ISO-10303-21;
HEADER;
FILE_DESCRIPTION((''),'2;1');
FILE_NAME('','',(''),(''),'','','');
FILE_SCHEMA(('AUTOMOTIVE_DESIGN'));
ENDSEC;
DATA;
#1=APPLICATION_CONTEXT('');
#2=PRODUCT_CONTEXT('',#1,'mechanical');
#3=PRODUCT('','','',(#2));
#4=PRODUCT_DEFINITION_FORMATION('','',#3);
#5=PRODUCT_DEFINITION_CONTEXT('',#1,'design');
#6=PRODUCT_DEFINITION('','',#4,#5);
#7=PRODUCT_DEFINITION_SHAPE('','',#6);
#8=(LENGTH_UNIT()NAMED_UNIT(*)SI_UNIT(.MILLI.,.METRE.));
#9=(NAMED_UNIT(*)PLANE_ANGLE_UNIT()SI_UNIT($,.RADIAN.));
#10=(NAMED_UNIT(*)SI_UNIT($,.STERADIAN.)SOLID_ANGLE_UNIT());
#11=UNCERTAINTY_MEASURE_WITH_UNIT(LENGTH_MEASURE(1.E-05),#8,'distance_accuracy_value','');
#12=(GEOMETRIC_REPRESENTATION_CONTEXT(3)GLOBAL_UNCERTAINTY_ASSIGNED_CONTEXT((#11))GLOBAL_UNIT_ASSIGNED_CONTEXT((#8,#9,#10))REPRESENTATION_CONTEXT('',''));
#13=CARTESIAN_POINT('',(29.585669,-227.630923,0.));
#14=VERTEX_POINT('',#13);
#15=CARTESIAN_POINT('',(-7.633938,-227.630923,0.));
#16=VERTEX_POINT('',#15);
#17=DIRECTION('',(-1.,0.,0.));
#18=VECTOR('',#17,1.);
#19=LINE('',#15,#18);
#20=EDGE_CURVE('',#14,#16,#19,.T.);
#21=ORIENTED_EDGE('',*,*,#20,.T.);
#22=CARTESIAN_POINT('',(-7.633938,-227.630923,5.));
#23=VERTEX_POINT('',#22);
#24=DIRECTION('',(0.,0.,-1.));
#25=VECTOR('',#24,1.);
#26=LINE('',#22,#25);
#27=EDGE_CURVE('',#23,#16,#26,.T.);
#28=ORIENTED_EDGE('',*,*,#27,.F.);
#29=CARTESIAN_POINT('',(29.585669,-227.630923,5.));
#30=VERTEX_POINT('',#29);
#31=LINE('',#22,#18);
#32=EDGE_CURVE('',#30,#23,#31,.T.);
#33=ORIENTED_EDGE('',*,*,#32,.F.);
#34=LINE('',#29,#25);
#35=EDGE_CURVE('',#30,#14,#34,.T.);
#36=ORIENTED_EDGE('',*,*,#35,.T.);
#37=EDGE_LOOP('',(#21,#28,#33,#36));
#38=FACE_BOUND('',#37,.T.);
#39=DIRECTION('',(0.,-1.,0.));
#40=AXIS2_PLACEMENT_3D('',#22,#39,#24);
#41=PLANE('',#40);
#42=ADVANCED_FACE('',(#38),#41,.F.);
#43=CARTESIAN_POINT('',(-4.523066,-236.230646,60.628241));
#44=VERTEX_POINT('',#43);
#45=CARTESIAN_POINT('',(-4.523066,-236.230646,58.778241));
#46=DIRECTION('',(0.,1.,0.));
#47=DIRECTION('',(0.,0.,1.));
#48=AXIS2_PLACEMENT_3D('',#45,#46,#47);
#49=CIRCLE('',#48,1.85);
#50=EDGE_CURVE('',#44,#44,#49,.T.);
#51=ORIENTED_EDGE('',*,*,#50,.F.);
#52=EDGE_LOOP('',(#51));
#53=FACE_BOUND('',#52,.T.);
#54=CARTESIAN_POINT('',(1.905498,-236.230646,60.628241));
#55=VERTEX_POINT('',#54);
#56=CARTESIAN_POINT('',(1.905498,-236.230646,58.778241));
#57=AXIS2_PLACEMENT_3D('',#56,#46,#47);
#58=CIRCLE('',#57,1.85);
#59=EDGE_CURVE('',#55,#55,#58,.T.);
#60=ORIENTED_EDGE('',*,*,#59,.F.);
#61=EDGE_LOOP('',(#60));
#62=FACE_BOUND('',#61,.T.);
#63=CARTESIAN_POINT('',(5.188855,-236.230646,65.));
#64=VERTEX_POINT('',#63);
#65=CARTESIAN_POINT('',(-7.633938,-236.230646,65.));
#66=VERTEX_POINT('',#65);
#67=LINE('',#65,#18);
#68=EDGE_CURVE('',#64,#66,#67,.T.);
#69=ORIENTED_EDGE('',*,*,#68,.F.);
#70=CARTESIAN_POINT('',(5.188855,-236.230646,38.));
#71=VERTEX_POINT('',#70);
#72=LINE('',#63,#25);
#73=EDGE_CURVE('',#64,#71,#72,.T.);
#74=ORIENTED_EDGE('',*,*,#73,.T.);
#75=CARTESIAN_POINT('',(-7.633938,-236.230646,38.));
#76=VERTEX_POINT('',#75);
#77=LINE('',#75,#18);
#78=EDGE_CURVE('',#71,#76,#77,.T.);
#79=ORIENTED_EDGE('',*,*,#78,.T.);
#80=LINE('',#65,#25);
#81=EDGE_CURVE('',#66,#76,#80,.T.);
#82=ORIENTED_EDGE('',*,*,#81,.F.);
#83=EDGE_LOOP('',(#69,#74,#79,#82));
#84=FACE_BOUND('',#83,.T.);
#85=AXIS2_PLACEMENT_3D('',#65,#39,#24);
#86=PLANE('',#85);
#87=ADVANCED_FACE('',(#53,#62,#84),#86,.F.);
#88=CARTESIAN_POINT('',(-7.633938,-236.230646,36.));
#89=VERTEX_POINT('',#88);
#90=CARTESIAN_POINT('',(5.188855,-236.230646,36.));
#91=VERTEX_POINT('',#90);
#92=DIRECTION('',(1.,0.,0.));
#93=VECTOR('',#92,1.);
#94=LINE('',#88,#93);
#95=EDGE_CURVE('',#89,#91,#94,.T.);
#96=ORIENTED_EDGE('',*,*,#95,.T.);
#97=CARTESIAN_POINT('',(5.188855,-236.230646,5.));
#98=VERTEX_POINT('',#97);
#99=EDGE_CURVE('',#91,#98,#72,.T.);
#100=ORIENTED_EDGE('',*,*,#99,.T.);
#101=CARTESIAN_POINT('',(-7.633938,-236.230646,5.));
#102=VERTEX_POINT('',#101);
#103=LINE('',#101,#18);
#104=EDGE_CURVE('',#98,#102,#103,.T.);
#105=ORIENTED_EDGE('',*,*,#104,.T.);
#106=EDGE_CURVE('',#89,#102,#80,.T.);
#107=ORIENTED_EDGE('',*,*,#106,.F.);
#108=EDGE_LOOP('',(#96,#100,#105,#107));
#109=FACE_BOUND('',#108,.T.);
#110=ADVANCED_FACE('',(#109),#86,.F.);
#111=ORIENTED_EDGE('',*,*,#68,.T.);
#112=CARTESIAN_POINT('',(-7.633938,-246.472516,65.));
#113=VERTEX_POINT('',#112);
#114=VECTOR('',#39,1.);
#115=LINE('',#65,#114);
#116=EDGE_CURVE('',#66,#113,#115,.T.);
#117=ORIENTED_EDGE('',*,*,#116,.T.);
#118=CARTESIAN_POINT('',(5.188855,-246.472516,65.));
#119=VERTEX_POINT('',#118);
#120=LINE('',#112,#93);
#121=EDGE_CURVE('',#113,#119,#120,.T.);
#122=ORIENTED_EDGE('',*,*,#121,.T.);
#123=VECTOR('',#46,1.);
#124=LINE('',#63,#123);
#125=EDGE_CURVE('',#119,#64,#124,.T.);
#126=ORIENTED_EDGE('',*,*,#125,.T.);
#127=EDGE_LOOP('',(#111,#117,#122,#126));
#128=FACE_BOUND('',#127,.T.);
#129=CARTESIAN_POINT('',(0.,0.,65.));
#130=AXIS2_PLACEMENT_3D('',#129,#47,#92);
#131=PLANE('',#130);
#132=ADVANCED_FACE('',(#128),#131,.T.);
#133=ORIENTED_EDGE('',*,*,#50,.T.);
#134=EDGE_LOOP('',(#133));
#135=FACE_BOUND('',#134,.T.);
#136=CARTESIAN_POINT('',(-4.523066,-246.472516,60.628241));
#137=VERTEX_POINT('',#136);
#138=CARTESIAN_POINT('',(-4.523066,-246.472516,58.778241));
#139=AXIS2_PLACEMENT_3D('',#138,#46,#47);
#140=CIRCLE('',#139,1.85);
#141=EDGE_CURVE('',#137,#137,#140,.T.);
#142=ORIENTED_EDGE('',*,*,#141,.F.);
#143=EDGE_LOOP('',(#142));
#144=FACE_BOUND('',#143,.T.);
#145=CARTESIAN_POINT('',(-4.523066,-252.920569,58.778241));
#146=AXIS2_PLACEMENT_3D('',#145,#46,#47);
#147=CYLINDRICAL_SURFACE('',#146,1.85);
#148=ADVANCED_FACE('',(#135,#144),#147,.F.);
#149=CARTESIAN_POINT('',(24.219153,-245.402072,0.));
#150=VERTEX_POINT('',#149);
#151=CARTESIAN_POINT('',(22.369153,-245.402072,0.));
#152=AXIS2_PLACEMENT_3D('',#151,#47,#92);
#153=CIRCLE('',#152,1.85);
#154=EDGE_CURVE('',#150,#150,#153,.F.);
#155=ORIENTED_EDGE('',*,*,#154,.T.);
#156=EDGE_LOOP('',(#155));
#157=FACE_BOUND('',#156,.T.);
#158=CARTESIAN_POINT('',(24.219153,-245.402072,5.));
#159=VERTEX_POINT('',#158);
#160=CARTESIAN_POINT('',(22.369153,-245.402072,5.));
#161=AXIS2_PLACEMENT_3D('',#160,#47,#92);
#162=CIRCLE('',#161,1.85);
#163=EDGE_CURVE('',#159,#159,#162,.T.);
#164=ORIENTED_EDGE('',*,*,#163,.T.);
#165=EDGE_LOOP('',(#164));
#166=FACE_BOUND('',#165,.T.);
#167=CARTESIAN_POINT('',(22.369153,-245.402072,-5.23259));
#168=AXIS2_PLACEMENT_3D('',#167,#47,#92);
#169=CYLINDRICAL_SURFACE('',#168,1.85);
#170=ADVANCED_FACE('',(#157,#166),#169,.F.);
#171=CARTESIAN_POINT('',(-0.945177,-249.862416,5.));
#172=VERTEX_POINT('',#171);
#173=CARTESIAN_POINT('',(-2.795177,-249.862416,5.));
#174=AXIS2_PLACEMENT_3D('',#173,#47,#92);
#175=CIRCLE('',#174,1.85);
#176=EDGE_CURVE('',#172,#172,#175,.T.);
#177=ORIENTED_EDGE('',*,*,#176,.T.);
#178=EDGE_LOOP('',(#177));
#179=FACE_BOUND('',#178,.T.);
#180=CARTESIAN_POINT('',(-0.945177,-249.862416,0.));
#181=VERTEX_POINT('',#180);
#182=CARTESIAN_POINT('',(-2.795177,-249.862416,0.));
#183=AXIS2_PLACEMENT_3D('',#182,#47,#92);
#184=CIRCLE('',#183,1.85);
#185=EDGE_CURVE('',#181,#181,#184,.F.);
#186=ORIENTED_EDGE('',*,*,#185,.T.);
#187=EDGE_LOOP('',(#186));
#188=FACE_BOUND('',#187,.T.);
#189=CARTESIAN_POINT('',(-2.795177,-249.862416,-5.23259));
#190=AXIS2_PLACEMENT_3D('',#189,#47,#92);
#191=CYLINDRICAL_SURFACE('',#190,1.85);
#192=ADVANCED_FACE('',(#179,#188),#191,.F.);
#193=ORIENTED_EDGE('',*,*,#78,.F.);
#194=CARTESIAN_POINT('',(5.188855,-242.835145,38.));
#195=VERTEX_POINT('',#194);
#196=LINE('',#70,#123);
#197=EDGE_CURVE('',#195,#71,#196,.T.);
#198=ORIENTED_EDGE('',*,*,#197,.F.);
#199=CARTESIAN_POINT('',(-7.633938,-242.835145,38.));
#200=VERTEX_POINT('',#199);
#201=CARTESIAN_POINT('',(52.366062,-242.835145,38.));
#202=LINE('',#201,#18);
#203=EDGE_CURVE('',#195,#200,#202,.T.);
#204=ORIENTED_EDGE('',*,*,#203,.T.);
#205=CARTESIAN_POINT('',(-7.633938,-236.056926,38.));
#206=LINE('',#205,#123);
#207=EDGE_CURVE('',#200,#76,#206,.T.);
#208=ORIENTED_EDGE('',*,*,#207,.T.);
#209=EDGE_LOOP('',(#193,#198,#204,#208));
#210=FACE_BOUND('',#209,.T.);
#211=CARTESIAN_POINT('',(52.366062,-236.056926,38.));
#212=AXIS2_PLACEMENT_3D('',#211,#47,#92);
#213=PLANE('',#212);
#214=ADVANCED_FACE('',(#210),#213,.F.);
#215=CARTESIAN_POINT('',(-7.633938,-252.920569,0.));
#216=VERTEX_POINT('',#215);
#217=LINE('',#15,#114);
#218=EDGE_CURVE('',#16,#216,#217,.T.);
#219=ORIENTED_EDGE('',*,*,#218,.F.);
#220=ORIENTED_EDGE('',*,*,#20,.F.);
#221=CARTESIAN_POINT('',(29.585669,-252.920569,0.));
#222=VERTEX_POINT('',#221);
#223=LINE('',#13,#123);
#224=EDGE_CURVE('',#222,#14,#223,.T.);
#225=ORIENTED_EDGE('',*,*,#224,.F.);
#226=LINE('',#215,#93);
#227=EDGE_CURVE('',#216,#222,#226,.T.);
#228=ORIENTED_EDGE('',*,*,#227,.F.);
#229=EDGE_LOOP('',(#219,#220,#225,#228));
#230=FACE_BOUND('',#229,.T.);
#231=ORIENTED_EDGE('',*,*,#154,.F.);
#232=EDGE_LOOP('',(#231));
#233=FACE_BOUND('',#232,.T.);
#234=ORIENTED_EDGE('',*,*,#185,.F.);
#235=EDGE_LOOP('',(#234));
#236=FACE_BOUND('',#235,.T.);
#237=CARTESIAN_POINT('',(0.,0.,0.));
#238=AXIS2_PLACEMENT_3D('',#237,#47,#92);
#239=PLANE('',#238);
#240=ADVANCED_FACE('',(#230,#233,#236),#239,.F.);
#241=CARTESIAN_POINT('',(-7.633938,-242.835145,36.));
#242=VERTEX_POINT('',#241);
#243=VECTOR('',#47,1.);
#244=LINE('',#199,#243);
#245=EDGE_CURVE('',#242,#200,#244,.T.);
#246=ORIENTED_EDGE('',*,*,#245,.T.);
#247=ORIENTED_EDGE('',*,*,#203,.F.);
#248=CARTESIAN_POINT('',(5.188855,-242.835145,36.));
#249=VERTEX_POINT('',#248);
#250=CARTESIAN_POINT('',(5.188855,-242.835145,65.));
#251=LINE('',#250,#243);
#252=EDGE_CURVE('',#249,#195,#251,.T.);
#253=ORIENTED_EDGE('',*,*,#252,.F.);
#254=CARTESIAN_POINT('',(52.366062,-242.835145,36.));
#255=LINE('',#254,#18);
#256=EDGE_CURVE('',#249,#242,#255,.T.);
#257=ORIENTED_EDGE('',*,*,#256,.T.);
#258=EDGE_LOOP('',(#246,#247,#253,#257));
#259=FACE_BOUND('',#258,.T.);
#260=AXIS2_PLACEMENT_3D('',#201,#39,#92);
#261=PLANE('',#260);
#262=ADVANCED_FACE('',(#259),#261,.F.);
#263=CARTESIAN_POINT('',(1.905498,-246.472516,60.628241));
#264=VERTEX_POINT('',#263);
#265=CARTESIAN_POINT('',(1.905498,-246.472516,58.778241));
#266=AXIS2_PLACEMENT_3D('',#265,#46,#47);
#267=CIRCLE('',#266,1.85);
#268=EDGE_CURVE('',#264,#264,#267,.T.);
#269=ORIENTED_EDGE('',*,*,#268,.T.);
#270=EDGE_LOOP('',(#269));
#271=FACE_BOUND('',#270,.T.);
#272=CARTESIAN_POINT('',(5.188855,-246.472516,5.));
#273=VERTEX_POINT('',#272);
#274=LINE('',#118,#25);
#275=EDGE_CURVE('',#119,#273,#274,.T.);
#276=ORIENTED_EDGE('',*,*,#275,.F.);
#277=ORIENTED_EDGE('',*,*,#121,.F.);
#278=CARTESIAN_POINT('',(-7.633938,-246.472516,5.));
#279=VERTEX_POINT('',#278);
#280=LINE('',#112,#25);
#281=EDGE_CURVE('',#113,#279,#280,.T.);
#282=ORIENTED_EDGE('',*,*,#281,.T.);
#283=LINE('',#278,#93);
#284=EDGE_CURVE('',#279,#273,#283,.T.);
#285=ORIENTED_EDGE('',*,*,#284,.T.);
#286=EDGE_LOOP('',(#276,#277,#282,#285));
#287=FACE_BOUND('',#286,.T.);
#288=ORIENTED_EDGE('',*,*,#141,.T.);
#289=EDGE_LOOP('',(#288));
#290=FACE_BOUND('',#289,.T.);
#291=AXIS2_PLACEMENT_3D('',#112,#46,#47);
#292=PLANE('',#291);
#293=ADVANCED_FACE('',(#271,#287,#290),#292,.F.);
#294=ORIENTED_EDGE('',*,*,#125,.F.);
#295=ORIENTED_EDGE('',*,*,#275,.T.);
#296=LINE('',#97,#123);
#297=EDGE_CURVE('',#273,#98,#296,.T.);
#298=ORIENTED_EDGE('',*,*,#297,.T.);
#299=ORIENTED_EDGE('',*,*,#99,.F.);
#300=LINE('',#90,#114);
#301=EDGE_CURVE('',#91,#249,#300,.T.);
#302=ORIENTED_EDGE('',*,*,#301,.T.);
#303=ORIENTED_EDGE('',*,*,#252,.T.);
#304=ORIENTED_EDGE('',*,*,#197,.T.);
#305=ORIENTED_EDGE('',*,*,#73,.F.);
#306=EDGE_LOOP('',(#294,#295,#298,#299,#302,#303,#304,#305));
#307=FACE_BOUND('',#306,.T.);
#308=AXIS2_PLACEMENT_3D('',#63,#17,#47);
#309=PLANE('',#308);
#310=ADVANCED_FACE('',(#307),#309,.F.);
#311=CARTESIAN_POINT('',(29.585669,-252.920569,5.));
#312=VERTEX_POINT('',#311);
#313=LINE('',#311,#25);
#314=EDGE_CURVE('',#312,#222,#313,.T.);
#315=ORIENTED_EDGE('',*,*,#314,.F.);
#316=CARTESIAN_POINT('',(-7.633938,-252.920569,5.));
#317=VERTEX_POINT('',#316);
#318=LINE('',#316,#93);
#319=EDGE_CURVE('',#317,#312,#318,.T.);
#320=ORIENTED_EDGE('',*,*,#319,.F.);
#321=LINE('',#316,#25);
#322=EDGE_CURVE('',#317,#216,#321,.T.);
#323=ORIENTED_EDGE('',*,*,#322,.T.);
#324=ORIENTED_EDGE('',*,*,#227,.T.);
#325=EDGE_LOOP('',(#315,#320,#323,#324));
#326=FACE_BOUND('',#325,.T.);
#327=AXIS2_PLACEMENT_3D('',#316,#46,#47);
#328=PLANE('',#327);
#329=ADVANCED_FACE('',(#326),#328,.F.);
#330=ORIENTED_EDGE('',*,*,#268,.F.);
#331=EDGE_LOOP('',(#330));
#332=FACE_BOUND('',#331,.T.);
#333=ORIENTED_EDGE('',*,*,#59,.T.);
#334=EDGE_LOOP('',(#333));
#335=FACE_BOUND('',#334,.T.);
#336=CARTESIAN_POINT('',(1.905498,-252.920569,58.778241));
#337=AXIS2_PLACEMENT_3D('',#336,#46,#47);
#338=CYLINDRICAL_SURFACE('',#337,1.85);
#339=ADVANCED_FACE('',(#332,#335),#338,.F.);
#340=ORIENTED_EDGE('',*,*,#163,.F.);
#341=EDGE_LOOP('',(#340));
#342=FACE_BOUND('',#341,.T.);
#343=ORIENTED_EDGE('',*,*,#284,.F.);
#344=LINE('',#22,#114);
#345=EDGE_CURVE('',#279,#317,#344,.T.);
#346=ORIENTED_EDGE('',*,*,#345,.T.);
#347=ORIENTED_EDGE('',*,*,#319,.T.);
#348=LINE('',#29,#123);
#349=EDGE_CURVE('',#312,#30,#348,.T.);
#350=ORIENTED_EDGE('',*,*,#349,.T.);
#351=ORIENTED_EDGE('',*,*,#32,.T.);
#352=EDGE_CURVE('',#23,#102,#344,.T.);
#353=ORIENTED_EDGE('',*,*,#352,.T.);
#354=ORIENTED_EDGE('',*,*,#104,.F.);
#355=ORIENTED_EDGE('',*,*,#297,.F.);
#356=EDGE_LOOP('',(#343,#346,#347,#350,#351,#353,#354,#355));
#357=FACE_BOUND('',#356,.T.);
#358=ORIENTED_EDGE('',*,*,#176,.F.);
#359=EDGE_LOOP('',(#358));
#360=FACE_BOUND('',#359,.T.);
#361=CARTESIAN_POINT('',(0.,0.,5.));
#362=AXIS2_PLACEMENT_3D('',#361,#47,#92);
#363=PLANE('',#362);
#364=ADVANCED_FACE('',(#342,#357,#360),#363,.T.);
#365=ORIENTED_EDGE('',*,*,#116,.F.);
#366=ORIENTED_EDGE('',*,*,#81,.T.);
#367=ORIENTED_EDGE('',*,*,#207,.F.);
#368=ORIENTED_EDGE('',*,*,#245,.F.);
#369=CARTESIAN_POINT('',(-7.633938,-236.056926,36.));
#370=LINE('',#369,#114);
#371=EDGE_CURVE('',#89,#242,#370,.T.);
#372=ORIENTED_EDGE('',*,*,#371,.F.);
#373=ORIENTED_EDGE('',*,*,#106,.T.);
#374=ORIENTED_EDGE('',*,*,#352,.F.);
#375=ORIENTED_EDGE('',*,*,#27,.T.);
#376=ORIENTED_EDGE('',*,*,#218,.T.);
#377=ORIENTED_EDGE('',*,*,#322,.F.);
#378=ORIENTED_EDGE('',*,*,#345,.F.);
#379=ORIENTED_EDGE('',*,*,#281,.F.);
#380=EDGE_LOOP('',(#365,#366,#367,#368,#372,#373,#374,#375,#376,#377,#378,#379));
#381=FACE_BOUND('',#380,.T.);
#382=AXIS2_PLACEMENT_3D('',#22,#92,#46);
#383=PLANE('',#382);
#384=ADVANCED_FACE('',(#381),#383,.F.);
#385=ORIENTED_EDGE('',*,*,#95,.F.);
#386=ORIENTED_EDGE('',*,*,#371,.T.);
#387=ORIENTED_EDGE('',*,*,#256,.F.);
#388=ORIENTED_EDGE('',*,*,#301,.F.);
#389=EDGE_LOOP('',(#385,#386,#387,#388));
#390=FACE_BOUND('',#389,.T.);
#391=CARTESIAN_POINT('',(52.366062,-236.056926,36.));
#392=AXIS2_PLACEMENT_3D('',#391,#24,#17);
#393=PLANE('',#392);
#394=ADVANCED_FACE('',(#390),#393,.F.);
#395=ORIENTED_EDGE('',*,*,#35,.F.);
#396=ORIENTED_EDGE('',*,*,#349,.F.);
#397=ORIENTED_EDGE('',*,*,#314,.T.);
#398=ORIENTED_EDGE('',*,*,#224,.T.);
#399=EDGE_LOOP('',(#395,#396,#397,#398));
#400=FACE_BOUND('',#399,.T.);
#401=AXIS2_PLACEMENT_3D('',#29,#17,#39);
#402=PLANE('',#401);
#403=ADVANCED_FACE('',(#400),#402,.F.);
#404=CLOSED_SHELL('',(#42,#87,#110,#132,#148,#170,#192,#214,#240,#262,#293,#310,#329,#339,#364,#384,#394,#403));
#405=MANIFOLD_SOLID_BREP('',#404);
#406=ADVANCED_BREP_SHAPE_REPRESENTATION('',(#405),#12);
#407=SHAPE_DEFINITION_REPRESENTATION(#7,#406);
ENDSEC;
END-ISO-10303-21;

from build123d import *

# Parameters (mm, degrees)
CROQUIS2_W              = 37.219606625
CROQUIS2_H              = 25.289645753
SALIENTE_EXTRUIR1_DEPTH = 5
CROQUIS3_W              = 12.822792139
CROQUIS3_H              = 10.241869911
SALIENTE_EXTRUIR2_DEPTH = 60
CROQUIS4_W              = 2
CROQUIS4_H              = 6.778219121
CORTAR_EXTRUIR1_DEPTH   = 60
CORTAR_EXTRUIR2_REACH   = 263.618
CROQUIS5_R              = 1.85
CROQUIS6_R              = 1.85
CORTAR_EXTRUIR3_DEPTH   = 74.340748192


with BuildPart() as part:
    # Croquis2 → Saliente-Extruir1 (new body)
    with BuildSketch(Plane.XY):
        with Locations((10.975865795, -240.275746154)):
            Rectangle(CROQUIS2_W, CROQUIS2_H)
    extrude(amount=SALIENTE_EXTRUIR1_DEPTH)

    # Croquis3 → Saliente-Extruir2 (add)
    with BuildSketch(Plane.XY.offset(5)):
        with Locations((-1.222541449, -241.35158101)):
            Rectangle(CROQUIS3_W, CROQUIS3_H)
    extrude(amount=SALIENTE_EXTRUIR2_DEPTH)

    # Croquis4 → Cortar-Extruir1 (cut)
    with BuildSketch(Plane.ZY.offset(7.633937518)):
        with Locations((37, -239.446035793)):
            Rectangle(CROQUIS4_W, CROQUIS4_H)
    extrude(amount=-CORTAR_EXTRUIR1_DEPTH, mode=Mode.SUBTRACT)

    # Croquis5 → Cortar-Extruir2 (cut, up to next)
    with BuildSketch(Plane.XY.offset(5), mode=Mode.PRIVATE) as cortar_extruir2_sk1:
        with Locations((-2.795177489, -249.862416258)):
            Circle(CROQUIS5_R)
    cortar_extruir2_tool1 = extrude(cortar_extruir2_sk1.sketch, amount=-CORTAR_EXTRUIR2_REACH, mode=Mode.PRIVATE) & part.part
    # Croquis5 → Cortar-Extruir2 (cut, up to next)
    with BuildSketch(Plane.XY.offset(5), mode=Mode.PRIVATE) as cortar_extruir2_sk2:
        with Locations((22.369152578, -245.40207204)):
            Circle(CROQUIS5_R)
    cortar_extruir2_tool2 = extrude(cortar_extruir2_sk2.sketch, amount=-CORTAR_EXTRUIR2_REACH, mode=Mode.PRIVATE) & part.part
    add(cortar_extruir2_tool1.solids().sort_by_distance((-2.795177, -249.862416, 5))[0], mode=Mode.SUBTRACT)
    add(cortar_extruir2_tool2.solids().sort_by_distance((22.369153, -245.402072, 5))[0], mode=Mode.SUBTRACT)

    # Croquis6 → Cortar-Extruir3 (cut, through all)
    with BuildSketch(Plane(origin=(0, -236.230646054, 0), x_dir=(1, 0, 0), z_dir=(0, 1, 0))):
        with Locations(Location((1.905498405, -58.778240746, 0), (0, 0, 270))):
            Circle(CROQUIS6_R)
        with Locations(Location((-4.523066348, -58.778240746, 0), (0, 0, 270))):
            Circle(CROQUIS6_R)
    extrude(amount=-CORTAR_EXTRUIR3_DEPTH, mode=Mode.SUBTRACT)


solid = part.part
